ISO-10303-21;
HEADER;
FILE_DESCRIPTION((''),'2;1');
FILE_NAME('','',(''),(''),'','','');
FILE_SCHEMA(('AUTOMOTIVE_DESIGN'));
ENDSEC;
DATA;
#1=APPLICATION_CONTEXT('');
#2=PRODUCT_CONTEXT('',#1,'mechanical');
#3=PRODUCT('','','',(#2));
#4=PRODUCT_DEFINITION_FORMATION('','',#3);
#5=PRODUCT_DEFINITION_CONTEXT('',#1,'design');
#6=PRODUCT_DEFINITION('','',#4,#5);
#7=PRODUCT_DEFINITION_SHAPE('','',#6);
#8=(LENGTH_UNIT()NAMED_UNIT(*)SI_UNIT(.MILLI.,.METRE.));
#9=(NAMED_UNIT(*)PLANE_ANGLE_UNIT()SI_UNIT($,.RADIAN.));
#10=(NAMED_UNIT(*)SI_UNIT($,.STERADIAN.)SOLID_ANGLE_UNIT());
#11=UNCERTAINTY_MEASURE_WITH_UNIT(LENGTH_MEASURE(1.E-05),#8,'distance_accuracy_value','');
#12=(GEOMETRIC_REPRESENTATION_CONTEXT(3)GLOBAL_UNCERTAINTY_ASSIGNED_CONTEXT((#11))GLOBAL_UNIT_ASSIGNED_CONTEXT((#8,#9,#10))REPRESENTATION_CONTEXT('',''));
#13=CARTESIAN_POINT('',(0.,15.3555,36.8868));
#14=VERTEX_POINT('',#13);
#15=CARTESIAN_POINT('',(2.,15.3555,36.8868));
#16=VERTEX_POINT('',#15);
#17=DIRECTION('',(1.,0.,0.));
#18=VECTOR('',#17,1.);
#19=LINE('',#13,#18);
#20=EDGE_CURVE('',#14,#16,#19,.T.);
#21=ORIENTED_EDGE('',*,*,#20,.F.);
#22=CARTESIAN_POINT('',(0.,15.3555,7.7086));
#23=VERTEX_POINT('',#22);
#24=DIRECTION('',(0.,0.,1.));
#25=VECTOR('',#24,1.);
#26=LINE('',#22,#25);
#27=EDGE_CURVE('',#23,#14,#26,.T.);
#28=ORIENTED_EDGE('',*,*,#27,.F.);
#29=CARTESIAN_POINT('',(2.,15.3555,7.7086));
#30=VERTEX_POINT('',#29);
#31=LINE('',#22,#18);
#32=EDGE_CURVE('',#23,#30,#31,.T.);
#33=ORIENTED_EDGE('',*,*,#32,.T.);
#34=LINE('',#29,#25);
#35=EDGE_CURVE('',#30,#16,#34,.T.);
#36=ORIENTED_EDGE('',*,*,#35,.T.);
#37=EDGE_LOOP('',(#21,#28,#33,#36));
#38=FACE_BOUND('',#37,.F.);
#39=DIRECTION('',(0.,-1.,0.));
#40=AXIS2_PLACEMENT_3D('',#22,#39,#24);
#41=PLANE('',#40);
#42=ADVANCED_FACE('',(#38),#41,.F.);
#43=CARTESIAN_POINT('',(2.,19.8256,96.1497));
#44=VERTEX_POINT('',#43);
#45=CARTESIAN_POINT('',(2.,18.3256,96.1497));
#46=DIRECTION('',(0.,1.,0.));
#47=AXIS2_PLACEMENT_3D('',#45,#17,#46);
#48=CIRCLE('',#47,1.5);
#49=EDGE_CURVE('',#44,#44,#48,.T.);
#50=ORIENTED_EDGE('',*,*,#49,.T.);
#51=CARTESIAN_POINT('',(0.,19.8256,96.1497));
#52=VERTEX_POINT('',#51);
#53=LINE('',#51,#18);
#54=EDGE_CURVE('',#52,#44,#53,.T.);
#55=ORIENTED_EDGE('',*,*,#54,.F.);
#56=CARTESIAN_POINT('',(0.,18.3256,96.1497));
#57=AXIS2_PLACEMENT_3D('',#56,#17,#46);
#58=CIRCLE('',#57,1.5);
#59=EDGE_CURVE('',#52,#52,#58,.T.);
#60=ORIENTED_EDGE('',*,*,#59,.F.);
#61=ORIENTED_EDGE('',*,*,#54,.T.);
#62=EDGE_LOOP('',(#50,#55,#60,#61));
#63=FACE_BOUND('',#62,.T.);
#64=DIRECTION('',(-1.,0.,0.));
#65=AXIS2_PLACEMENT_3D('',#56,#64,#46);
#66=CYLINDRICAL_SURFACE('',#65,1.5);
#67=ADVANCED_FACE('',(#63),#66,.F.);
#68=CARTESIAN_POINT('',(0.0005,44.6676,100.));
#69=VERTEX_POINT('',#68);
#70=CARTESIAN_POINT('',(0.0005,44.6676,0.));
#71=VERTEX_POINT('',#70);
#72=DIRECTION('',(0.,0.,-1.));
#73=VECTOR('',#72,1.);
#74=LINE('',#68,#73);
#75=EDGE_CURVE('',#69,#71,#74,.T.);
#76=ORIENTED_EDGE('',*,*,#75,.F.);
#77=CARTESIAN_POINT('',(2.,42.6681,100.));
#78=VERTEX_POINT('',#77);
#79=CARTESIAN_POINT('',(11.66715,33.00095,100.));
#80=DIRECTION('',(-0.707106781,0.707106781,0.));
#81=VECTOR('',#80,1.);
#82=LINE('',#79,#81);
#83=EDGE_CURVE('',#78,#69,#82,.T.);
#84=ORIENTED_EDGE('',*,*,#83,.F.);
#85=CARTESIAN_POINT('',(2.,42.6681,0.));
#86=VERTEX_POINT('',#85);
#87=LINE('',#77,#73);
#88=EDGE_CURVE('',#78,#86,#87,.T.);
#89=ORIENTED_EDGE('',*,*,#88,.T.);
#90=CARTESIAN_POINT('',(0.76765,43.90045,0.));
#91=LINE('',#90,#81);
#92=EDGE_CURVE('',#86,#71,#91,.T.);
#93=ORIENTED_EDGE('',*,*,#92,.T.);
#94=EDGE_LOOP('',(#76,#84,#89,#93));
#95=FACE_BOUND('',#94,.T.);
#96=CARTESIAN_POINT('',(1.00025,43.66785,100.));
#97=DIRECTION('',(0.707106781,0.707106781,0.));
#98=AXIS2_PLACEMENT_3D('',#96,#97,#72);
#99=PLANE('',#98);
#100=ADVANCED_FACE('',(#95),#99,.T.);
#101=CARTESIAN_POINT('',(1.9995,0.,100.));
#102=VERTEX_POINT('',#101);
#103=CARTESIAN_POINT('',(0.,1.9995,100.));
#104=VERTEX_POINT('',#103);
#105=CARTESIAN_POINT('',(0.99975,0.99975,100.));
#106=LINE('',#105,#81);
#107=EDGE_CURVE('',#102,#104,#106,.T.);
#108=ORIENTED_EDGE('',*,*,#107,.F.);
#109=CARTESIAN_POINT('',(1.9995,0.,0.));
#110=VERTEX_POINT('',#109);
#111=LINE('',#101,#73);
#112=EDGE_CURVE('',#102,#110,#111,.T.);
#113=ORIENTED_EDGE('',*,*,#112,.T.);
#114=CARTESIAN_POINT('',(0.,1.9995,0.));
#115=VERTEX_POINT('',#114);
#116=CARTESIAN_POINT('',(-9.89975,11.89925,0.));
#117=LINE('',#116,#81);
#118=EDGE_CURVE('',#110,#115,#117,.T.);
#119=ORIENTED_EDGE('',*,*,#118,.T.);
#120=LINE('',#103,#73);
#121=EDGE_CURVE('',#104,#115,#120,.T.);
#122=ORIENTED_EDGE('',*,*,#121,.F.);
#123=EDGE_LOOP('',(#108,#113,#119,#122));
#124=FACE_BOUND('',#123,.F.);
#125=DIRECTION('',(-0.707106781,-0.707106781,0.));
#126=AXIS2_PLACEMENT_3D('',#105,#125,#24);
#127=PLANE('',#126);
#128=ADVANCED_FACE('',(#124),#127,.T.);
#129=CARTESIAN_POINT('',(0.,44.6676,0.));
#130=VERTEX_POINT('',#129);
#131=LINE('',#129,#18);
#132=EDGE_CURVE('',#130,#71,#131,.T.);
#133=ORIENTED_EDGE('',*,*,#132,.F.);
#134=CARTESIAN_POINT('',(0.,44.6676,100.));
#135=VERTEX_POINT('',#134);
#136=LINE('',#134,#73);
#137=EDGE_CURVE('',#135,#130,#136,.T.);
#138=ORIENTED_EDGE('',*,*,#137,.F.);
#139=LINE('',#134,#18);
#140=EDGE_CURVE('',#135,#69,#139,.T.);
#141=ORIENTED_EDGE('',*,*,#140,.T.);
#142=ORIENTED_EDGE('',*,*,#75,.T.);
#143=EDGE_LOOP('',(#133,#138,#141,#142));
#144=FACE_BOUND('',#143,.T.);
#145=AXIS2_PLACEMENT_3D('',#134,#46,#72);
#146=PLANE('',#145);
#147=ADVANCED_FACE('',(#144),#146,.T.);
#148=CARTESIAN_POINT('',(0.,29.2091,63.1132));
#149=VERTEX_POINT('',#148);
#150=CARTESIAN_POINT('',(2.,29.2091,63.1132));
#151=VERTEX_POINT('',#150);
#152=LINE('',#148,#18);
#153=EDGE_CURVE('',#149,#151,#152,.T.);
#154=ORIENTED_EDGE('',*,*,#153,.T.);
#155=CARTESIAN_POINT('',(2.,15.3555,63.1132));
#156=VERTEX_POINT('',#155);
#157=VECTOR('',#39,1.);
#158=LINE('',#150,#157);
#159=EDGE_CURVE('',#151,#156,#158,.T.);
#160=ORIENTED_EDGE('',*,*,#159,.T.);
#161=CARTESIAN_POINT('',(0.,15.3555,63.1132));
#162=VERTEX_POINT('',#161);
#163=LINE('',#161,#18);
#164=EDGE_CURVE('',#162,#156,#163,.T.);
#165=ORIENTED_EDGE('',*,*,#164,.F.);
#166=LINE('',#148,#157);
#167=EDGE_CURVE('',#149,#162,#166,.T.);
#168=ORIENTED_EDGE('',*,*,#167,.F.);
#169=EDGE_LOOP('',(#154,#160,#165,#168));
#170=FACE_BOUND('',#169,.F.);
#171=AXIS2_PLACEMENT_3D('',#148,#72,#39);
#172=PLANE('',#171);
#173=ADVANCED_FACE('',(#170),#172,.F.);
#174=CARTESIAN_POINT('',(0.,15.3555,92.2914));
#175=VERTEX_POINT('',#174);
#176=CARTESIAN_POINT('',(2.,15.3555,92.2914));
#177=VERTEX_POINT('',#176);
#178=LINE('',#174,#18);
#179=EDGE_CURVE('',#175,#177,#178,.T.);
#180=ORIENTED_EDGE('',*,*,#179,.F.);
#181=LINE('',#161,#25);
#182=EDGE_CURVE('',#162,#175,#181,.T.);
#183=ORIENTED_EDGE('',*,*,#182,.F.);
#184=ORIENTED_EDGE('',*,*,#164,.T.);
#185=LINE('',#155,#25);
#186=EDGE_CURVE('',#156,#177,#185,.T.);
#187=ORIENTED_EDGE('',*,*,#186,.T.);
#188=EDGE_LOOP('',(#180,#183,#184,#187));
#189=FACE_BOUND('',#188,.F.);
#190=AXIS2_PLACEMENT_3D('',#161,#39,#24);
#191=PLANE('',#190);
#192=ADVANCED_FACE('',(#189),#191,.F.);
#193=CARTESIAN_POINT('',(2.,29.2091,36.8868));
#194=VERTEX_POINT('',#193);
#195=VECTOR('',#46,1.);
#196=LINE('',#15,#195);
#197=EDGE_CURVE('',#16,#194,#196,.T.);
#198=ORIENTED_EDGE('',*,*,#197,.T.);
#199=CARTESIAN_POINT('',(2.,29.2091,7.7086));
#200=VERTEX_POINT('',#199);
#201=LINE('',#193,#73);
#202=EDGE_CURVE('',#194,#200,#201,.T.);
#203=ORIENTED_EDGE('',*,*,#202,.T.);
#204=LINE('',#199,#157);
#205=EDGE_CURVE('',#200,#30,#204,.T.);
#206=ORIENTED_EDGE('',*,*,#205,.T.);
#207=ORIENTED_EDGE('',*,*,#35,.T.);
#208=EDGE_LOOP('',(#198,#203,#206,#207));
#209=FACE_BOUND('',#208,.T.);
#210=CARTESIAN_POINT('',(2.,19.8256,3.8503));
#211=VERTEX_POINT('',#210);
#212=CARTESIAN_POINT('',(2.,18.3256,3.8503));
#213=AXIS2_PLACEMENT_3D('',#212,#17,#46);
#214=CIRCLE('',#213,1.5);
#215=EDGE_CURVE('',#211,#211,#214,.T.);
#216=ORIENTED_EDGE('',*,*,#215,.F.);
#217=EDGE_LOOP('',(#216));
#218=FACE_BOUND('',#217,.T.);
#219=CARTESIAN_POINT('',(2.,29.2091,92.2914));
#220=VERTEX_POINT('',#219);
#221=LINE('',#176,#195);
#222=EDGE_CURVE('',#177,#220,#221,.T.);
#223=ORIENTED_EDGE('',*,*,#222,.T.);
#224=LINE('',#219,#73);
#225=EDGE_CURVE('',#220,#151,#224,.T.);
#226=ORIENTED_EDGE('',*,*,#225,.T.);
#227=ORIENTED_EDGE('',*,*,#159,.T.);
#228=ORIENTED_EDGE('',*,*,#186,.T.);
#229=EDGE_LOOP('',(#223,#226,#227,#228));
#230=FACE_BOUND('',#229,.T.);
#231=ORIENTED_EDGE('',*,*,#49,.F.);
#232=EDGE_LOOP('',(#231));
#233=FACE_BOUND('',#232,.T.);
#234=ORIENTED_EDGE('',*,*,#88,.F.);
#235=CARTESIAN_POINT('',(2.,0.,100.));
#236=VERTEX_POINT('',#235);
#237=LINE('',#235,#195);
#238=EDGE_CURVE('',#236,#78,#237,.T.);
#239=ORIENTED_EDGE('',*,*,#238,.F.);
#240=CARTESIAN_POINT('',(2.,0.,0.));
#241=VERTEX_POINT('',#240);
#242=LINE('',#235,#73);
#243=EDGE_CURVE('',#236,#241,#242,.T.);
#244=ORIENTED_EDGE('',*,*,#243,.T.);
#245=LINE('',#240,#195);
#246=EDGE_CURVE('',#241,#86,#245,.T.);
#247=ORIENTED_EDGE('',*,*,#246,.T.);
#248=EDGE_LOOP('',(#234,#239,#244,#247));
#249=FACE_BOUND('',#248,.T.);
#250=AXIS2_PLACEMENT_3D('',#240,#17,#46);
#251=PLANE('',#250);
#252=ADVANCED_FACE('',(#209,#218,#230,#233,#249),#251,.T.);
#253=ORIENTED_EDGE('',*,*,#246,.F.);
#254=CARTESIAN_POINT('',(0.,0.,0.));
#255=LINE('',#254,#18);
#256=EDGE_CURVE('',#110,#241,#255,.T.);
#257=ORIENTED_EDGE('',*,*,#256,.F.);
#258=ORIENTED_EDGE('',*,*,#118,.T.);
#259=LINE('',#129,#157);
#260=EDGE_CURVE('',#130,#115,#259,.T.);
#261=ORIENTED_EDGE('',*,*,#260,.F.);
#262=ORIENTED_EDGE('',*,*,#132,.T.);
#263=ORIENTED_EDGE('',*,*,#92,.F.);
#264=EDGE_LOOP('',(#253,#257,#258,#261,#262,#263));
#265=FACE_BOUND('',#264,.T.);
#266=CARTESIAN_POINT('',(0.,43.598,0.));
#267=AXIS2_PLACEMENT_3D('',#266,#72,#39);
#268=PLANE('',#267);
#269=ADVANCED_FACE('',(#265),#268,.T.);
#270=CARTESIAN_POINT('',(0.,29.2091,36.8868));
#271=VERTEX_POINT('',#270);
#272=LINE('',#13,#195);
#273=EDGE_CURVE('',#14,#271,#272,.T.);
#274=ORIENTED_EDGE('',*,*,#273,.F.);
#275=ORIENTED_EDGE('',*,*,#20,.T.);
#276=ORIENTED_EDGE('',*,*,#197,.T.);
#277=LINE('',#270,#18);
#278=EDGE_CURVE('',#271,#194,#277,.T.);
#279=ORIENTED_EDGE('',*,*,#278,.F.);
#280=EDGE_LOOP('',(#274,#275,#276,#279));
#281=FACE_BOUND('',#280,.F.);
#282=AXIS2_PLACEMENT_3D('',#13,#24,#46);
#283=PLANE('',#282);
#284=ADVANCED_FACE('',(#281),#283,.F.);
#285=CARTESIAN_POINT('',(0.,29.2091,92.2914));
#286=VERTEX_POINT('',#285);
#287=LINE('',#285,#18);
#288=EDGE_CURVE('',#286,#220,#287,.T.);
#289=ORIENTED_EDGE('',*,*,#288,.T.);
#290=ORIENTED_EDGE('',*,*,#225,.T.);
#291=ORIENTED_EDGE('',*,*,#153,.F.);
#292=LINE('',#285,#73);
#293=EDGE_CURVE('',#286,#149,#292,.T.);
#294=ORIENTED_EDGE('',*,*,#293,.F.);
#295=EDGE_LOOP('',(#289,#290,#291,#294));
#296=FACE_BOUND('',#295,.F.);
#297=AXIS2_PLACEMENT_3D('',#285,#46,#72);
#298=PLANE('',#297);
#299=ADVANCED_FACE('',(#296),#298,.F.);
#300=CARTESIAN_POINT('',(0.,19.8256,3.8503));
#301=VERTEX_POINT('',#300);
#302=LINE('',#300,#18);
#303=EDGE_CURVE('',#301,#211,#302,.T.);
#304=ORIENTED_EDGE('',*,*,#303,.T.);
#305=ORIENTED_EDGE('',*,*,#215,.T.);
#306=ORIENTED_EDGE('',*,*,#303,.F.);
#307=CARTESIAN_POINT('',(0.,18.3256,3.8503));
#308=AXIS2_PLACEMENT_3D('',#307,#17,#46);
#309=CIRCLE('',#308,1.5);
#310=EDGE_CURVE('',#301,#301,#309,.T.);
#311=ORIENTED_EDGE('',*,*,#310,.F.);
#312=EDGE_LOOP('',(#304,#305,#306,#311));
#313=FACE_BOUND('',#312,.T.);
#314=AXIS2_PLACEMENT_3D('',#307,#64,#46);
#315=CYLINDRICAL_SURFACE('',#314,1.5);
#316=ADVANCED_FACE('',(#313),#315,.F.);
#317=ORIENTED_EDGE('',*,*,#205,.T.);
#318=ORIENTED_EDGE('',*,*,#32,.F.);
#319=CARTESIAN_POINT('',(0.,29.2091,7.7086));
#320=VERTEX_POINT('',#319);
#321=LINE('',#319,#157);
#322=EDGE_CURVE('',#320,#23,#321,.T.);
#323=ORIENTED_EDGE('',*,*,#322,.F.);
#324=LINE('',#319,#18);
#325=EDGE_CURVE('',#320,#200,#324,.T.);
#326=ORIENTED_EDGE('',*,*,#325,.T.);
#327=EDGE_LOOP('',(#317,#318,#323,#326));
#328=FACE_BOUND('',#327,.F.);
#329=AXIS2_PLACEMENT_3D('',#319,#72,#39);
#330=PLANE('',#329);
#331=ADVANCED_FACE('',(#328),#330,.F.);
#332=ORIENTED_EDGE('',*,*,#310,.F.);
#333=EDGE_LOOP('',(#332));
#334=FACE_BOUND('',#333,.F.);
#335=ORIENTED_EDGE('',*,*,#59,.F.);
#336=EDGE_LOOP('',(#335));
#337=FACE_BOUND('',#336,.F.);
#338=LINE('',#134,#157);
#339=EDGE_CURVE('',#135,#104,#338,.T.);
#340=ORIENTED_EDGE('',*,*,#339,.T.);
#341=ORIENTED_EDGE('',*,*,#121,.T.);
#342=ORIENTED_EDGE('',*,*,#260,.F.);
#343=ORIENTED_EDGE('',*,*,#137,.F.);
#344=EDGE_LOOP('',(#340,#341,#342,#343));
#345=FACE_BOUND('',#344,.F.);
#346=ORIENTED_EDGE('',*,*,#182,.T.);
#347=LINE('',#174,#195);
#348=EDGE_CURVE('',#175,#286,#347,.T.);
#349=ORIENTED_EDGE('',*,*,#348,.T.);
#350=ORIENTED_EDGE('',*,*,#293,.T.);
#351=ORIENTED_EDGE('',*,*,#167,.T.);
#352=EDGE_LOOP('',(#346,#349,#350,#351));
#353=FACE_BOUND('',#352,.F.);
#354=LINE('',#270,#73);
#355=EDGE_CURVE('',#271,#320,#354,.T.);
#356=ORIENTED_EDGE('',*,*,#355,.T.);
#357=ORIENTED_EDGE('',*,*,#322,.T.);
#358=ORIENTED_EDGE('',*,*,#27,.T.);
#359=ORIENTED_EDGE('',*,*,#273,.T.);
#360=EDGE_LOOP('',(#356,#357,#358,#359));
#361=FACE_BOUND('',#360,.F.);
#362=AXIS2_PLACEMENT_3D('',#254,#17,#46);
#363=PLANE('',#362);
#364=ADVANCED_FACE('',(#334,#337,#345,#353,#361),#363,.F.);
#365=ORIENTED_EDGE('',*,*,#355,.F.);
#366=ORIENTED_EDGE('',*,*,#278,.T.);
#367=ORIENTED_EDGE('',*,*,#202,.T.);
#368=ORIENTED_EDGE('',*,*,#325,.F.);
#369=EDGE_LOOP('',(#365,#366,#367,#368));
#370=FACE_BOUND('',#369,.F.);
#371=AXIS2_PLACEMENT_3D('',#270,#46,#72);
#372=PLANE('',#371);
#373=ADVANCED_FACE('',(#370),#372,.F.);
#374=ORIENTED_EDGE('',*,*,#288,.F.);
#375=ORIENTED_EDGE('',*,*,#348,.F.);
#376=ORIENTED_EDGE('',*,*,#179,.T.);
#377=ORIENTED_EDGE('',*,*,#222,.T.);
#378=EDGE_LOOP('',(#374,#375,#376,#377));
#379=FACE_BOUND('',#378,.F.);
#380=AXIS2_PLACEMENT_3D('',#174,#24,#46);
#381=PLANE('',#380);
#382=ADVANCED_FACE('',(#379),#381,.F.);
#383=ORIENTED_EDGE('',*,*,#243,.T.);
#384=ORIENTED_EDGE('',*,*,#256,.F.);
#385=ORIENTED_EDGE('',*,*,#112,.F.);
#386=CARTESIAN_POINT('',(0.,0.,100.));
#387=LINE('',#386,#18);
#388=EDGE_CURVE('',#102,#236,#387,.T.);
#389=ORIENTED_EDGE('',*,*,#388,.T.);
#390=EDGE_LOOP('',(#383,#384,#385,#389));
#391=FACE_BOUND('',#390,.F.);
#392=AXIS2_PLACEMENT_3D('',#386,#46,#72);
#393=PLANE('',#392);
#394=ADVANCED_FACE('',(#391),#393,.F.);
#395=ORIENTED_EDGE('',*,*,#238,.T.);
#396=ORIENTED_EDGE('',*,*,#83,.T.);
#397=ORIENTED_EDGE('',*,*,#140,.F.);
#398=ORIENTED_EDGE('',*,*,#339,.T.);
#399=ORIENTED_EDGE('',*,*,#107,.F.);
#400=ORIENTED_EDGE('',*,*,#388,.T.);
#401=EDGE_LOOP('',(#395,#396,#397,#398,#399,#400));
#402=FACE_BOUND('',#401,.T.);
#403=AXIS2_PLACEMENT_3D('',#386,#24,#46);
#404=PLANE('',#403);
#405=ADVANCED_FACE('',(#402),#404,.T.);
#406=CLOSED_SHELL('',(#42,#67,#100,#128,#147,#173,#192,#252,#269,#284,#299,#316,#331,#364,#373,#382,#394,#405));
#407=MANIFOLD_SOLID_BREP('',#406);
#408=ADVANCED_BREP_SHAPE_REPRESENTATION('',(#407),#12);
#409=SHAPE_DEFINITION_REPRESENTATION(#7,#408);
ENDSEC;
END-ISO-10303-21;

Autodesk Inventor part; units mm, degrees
ref_plane "YZ Plane" through (0, 0, 0) normal (1, 0, 0) x (0, 1, 0)
ref_plane "XZ Plane" through (0, 0, 0) normal (0, 1, 0) x (-1, 0, 0)
ref_plane "XY Plane" through (0, 0, 0) normal (0, 0, 1) x (1, 0, 0)
sketch "Szkic1" plane through (0, 0, 0) normal (1, 0, 0) x (0, 1, 0)
  circle A0 centre (18.3256, 3.8503) radius 1.5
  circle A1 centre (18.3256, 96.1497) radius 1.5
  line L0 (15.3555, 36.8868) -> (29.2091, 36.8868)
  line L1 (29.2091, 36.8868) -> (29.2091, 7.7086)
  line L2 (29.2091, 7.7086) -> (15.3555, 7.7086)
  line L3 (15.3555, 7.7086) -> (15.3555, 36.8868)
  line L4 (15.3555, 92.2914) -> (29.2091, 92.2914)
  line L5 (29.2091, 92.2914) -> (29.2091, 63.1132)
  line L6 (29.2091, 63.1132) -> (15.3555, 63.1132)
  line L7 (15.3555, 63.1132) -> (15.3555, 92.2914)
  line L8 (0, 100) -> (43.598, 100)
  line L9 (0, 100) -> (0, 0)
  line L10 (43.598, 0) -> (0, 0)
  line L11 (43.598, 100) -> (43.598, 0)
  line L12 (43.598, 100) -> (44.6676, 100)
  line L13 (43.598, 100) -> (43.598, 0)
  line L14 (44.6676, 0) -> (43.598, 0)
  line L15 (44.6676, 100) -> (44.6676, 0)
  point P0 (33.9001, 100)
extrude "Wyciągnięcie proste1" add sketch "Szkic1" along normal blind 2
chamfer "Faza1" distance 2 angle 45 1 edges at (2, 44.6676, 50)
chamfer "Faza2" distance 2 angle 45 1 edges at (0, 0, 50)
properties part number "kopia_plug"
